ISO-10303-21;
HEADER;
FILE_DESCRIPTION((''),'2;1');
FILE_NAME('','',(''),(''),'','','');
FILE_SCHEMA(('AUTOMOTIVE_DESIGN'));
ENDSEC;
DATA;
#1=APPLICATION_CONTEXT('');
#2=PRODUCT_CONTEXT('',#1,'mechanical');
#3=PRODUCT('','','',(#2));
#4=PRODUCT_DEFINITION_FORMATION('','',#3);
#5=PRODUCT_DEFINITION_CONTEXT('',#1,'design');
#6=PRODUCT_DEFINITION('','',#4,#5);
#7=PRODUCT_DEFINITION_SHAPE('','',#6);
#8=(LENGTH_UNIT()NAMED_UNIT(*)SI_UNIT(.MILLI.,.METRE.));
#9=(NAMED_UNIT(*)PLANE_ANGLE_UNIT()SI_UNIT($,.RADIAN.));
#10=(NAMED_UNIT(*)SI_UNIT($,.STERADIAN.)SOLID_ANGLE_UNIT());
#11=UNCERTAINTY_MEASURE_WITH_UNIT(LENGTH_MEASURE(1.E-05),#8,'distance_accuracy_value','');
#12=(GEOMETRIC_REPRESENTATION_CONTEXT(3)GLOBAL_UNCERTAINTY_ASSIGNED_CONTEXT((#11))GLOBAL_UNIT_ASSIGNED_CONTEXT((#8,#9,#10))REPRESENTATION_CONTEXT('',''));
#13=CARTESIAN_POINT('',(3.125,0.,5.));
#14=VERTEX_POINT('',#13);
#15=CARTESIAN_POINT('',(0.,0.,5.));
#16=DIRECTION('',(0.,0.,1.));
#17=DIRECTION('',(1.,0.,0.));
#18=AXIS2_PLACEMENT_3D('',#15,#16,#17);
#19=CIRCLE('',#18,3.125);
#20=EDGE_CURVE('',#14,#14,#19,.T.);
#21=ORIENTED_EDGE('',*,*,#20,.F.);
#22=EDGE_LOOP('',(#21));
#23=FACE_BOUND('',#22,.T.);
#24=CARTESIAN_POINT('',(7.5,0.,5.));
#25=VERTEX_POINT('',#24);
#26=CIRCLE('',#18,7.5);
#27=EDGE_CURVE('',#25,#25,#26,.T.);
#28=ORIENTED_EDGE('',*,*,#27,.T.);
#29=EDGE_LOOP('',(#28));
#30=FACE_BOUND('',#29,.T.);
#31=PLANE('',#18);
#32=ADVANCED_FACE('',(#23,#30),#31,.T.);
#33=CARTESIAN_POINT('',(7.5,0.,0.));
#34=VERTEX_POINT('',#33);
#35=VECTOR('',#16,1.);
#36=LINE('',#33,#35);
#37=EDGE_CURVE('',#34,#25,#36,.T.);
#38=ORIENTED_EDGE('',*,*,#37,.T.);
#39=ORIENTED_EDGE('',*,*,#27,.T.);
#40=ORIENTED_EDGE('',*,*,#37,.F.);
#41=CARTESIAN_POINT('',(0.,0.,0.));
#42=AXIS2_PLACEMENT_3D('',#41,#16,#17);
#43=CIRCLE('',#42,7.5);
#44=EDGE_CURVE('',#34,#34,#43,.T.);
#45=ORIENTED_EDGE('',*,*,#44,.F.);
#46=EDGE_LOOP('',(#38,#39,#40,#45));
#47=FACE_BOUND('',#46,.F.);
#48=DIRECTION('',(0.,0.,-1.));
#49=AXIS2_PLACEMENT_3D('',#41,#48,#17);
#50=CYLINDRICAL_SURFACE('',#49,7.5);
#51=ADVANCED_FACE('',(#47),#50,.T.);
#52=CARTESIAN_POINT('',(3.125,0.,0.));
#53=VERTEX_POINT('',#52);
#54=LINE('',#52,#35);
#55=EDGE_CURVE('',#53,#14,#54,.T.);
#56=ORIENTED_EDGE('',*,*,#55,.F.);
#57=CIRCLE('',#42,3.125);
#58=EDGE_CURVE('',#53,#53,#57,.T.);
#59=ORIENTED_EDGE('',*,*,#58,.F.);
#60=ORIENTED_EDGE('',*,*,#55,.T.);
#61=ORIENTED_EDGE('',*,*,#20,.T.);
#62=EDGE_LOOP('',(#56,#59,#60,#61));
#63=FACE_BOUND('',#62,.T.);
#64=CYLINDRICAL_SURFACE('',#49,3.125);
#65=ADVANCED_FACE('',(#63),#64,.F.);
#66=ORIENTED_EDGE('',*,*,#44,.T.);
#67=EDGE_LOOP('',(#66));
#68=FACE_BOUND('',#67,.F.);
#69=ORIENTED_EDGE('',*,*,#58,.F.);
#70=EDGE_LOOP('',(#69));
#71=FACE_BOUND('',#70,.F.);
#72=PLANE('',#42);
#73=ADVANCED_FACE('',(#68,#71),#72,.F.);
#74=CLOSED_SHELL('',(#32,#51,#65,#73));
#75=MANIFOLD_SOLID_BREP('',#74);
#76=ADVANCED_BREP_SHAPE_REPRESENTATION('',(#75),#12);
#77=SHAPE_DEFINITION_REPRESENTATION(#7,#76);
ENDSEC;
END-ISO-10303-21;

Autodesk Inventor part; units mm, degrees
ref_plane "YZ Plane" through (0, 0, 0) normal (1, 0, 0) x (0, 1, 0)
ref_plane "XZ Plane" through (0, 0, 0) normal (0, 1, 0) x (-1, 0, 0)
ref_plane "XY Plane" through (0, 0, 0) normal (0, 0, 1) x (1, 0, 0)
sketch "Sketch1" plane through (0, 0, 0) normal (0, 0, 1) x (1, 0, 0)
  circle A0 centre (0, 0) radius 3.125
  circle A1 centre (0, 0) radius 7.5
  circle A2 centre (0, 0) radius 6
  dimension "d0" = 6.25
  dimension "d1" = 15
  dimension "d4" = 12
extrude "Extrusion1" add sketch "Sketch1" along normal blind 5 contours A1 | A2
properties part number "Disco para Guías" material "Aluminum 6061"
